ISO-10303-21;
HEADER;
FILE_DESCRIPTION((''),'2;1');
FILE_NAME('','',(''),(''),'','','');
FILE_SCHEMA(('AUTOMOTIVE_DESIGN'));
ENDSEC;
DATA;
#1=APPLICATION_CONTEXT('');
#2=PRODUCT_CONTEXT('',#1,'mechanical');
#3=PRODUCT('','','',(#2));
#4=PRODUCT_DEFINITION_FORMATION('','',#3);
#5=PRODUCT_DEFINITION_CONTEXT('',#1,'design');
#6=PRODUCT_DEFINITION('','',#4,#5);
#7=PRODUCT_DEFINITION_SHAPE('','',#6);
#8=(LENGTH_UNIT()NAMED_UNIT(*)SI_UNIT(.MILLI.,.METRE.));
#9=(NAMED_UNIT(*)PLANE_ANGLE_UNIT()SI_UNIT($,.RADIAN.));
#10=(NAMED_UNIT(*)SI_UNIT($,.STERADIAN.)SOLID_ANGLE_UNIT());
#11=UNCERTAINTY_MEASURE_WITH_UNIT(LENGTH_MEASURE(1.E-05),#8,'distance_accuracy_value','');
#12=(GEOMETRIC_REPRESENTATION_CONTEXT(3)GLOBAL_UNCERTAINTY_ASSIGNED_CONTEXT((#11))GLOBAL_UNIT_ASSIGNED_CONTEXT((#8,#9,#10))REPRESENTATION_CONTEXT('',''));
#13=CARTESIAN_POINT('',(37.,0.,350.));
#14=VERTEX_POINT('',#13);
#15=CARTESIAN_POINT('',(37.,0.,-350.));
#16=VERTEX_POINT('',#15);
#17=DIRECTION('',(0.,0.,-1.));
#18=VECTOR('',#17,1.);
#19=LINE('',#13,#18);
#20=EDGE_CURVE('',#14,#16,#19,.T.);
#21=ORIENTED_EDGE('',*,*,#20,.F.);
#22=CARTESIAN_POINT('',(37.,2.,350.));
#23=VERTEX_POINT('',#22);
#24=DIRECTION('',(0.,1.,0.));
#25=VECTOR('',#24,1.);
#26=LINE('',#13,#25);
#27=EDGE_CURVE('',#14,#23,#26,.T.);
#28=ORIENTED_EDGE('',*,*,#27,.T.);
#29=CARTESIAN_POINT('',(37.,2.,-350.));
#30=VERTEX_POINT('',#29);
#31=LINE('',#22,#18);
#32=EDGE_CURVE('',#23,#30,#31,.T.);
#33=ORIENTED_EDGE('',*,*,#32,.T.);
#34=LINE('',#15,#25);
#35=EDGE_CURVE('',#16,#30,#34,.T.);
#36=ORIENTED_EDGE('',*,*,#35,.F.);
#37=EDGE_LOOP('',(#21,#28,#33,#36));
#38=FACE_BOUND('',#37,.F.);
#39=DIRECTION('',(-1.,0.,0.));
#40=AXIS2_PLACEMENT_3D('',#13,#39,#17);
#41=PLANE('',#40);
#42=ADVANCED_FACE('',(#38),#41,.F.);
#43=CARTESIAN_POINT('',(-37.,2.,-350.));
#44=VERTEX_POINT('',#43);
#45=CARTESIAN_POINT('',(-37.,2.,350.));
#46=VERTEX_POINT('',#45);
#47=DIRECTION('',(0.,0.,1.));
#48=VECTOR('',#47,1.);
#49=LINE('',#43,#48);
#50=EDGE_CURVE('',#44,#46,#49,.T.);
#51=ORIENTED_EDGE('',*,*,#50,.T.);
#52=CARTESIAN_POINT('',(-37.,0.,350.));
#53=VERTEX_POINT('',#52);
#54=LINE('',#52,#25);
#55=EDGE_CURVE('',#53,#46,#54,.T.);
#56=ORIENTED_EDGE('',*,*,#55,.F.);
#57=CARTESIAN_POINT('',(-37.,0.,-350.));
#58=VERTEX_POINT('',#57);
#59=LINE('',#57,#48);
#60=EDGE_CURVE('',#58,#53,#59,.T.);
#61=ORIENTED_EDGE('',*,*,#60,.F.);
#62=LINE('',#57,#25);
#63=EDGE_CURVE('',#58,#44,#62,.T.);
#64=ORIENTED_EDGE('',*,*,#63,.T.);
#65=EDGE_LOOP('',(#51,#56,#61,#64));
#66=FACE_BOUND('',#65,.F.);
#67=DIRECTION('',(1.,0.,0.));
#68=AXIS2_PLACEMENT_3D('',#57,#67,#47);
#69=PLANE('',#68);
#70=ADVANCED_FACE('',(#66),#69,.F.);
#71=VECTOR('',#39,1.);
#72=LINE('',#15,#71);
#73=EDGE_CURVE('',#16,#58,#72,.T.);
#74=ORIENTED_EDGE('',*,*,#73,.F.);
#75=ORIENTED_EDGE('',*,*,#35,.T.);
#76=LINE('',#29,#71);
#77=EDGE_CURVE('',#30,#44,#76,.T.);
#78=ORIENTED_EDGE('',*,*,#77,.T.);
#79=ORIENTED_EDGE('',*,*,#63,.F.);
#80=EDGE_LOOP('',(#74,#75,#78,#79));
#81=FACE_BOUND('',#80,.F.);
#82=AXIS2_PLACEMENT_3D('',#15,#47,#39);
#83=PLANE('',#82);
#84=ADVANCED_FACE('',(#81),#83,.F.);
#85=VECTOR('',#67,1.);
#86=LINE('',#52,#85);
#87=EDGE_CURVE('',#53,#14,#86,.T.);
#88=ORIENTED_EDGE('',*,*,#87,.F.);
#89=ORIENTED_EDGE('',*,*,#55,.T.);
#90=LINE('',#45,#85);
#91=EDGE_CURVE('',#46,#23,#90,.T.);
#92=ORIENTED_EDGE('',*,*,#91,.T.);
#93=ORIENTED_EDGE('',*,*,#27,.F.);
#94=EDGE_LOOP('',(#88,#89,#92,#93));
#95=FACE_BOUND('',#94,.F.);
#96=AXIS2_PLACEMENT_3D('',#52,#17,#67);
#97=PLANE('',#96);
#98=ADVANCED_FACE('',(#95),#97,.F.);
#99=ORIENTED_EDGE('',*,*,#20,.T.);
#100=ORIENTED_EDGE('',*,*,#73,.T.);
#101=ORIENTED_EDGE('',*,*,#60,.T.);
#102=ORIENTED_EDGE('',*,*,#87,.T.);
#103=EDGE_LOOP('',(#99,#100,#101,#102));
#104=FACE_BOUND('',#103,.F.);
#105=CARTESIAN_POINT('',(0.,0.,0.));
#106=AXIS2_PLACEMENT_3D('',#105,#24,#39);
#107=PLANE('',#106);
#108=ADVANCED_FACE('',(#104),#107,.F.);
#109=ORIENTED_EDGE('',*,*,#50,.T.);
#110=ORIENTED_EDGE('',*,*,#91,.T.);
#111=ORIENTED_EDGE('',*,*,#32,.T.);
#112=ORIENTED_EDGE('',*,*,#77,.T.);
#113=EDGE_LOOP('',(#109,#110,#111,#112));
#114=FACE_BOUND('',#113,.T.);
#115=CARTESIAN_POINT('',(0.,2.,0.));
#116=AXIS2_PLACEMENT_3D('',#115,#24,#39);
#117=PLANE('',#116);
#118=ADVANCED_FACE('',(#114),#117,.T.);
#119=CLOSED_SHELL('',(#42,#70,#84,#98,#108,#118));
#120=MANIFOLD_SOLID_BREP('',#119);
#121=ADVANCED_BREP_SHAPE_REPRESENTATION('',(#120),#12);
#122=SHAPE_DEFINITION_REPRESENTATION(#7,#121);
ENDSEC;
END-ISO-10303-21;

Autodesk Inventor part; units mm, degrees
ref_plane "YZ Plane" through (0, 0, 0) normal (1, 0, 0) x (0, 1, 0)
ref_plane "XZ Plane" through (0, 0, 0) normal (0, 1, 0) x (-1, 0, 0)
ref_plane "XY Plane" through (0, 0, 0) normal (0, 0, 1) x (1, 0, 0)
sketch "스케치1" plane through (0, 0, 0) normal (0, 1, 0) x (-1, 0, 0)
  line L0 (37, 350) -> (-37, 350)
  line L1 (-37, 350) -> (-37, -350)
  line L2 (-37, -350) -> (37, -350)
  line L3 (37, -350) -> (37, 350)
  point P0 (0, 0)
  dimension "d0" = 700
  dimension "d1" = 350
  dimension "d2" = 74
  dimension "d3" = 37
extrude "돌출1" add sketch "스케치1" along normal blind 2
equation "\"d1\" = 0.5 * d0"
equation "\"d3\" = 0.5 * d2"
properties part number "가로로만 윗판"
